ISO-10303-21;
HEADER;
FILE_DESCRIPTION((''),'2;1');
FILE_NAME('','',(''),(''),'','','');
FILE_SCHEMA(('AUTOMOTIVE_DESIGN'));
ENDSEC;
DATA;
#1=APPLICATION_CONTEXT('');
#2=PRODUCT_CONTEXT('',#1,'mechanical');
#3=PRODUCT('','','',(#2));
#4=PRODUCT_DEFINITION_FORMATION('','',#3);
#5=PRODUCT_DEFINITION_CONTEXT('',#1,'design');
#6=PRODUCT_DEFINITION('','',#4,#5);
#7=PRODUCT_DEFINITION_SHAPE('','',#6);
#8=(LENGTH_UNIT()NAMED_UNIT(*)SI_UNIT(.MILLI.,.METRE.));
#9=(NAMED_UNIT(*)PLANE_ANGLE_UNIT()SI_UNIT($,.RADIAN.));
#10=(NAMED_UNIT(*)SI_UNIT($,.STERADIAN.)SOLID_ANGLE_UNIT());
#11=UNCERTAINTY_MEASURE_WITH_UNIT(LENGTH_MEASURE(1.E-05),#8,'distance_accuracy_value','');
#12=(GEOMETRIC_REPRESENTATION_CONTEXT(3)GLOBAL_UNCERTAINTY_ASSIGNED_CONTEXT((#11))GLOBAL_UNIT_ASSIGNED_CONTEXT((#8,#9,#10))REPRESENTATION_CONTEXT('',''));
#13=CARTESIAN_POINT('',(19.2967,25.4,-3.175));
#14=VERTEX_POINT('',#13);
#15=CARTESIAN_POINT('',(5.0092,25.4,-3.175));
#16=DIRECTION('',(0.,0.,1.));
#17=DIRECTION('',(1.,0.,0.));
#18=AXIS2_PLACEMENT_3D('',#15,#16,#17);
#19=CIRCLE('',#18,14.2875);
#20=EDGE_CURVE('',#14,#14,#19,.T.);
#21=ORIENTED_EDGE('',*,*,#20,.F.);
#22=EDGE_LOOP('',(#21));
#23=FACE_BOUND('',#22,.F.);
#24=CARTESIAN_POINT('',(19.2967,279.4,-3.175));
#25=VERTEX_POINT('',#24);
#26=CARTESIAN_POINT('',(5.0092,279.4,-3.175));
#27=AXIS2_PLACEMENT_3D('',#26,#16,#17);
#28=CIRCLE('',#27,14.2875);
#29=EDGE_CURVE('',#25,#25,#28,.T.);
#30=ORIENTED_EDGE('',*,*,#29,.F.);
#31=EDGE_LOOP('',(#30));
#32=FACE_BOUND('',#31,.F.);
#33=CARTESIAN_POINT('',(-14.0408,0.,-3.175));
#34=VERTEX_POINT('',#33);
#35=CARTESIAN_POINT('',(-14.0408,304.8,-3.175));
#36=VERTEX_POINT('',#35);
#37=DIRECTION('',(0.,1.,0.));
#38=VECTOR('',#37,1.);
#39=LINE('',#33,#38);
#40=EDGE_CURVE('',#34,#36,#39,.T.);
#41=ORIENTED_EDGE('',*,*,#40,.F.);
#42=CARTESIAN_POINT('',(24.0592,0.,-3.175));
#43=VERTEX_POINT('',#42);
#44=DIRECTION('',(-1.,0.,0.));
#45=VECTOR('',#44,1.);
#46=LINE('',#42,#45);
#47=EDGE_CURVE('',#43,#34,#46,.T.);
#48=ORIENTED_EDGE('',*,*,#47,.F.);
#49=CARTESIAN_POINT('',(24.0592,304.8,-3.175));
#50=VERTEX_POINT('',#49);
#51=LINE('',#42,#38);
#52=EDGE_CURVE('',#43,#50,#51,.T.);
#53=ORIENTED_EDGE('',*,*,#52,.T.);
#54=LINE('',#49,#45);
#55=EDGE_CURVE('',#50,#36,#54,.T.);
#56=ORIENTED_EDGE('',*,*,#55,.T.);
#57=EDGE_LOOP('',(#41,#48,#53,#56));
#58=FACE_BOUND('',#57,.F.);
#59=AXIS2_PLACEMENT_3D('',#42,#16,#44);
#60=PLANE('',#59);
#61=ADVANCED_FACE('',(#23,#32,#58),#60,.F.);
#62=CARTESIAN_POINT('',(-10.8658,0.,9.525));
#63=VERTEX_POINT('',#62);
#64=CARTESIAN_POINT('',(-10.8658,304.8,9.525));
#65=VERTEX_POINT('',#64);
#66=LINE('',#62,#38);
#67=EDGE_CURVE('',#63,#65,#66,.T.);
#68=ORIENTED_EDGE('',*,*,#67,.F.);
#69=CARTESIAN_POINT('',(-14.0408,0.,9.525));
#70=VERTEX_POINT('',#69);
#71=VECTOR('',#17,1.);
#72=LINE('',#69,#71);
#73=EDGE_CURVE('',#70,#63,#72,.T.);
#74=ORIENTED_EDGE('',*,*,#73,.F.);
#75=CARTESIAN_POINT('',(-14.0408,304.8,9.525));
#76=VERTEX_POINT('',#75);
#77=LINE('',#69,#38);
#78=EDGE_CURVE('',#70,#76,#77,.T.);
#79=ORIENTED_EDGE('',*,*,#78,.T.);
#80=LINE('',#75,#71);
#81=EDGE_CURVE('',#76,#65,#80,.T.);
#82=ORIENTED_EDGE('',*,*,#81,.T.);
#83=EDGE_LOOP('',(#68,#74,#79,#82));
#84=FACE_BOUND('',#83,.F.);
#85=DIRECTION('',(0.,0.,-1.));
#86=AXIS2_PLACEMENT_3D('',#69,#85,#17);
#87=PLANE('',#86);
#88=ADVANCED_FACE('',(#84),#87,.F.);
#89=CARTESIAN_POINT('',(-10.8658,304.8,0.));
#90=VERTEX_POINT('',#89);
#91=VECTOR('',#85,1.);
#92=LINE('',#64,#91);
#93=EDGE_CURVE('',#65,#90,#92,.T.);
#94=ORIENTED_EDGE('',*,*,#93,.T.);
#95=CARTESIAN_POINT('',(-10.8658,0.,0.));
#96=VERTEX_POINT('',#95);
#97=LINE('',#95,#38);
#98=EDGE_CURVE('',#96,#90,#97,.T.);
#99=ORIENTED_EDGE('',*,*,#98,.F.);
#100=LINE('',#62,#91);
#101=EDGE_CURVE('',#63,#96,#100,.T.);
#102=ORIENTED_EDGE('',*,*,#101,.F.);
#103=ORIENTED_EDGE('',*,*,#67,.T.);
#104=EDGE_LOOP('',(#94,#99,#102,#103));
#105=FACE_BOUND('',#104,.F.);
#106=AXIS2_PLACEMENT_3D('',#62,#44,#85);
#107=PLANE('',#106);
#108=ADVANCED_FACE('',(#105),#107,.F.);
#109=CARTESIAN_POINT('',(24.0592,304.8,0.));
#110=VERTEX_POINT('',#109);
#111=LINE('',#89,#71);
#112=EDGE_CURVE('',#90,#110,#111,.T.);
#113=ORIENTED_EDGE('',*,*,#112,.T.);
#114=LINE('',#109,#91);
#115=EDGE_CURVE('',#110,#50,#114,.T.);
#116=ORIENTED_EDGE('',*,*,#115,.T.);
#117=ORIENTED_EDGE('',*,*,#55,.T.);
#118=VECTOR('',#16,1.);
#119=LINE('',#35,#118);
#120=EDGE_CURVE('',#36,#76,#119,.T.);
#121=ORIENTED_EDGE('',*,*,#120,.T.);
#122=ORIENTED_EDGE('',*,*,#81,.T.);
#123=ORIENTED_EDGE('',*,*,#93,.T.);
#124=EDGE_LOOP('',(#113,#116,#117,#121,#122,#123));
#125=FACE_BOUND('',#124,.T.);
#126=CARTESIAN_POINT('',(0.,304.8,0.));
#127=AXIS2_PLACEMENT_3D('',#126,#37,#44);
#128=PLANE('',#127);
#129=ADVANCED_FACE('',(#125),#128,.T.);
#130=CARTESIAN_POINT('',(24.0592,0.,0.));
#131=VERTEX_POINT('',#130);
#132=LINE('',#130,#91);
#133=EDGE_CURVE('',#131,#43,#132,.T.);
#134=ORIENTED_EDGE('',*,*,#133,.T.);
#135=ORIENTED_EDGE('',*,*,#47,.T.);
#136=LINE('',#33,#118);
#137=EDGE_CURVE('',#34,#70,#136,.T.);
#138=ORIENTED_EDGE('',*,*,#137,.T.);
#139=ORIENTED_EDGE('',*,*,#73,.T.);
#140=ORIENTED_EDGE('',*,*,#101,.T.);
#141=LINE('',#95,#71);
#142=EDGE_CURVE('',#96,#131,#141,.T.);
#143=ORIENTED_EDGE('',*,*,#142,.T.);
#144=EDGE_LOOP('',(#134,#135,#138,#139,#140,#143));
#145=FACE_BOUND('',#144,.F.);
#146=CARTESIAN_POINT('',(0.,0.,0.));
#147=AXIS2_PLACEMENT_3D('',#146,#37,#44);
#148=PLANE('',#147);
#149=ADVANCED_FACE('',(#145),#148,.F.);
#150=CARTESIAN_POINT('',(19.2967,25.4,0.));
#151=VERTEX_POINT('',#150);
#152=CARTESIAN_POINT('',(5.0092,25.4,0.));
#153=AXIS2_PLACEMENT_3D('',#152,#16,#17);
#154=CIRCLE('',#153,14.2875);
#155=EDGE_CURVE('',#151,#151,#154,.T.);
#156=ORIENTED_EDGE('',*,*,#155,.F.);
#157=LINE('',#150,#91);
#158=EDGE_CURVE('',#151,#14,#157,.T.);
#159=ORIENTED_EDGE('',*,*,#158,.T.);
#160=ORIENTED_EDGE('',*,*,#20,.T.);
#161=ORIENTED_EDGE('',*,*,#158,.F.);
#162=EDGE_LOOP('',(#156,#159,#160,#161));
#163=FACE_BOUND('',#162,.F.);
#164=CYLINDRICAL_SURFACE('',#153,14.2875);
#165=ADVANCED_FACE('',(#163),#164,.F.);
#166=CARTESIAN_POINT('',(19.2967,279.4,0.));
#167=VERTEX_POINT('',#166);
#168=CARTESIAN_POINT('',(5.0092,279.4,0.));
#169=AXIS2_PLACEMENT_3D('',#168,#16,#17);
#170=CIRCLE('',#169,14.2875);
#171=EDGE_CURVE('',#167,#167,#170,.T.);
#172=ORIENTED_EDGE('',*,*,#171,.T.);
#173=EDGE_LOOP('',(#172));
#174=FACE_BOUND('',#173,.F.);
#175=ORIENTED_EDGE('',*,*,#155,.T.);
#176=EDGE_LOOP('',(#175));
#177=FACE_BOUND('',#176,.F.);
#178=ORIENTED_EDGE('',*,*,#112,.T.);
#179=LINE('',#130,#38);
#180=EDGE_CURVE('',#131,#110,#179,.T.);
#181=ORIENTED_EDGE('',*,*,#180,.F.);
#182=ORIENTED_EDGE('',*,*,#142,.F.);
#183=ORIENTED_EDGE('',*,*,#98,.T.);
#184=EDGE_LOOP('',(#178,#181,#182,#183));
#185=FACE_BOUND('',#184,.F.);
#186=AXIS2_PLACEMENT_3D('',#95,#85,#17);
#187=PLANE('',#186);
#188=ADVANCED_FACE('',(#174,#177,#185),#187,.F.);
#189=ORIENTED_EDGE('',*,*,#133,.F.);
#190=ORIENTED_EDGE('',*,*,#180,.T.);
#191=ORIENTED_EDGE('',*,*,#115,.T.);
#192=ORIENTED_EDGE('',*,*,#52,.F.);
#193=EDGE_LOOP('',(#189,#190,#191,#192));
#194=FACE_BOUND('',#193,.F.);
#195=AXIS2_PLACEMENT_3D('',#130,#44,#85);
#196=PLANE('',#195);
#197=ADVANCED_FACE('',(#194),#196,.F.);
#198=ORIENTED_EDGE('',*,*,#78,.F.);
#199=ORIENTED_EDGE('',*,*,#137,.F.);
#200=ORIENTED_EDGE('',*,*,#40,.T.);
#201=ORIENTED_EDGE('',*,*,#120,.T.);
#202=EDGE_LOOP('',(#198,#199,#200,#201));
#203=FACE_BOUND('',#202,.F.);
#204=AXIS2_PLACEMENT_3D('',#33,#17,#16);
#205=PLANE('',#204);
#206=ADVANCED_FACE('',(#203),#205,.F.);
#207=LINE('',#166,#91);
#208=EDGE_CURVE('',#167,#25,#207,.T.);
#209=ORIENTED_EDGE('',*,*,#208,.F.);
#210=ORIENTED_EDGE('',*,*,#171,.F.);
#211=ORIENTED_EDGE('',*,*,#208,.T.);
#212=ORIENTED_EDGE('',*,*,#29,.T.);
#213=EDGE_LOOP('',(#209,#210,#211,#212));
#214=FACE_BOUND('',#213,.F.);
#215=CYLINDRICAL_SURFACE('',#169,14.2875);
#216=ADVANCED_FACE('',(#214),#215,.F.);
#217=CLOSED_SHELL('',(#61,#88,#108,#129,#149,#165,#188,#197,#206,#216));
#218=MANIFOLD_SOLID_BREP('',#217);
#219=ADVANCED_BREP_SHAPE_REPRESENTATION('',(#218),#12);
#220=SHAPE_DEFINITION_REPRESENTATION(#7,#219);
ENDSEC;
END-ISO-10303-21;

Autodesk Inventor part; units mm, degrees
ref_plane "YZ Plane" through (0, 0, 0) normal (1, 0, 0) x (0, 1, 0)
ref_plane "XZ Plane" through (0, 0, 0) normal (0, 1, 0) x (-1, 0, 0)
ref_plane "XY Plane" through (0, 0, 0) normal (0, 0, 1) x (1, 0, 0)
sketch "Sketch1" plane through (0, 0, 0) normal (0, 1, 0) x (-1, 0, 0)
  line L0 (14.0408, 9.525) -> (10.8658, 9.525)
  line L1 (-24.0592, 0) -> (-24.0592, -3.175)
  line L2 (-24.0592, -3.175) -> (14.0408, -3.175)
  line L3 (14.0408, -3.175) -> (14.0408, 9.525)
  line L4 (10.8658, 9.525) -> (10.8658, 0)
  line L5 (10.8658, 0) -> (-24.0592, 0)
  point P0 (0, 0)
  dimension "d0" = 38.1
  dimension "d1" = 12.7
  dimension "d2" = 3.175
  dimension "d3" = 3.175
extrude "Extrusion1" add sketch "Sketch1" along normal blind 304.8
sketch "Sketch2" plane through (-10.8658, 0, 0) normal (0, 0, 1) x (1, 0, 0)
  circle A0 centre (15.875, 25.4) radius 14.2875
  line L0 (34.925, 0) -> (34.925, 304.8) projected
  line L1 (0, 0) -> (34.925, 0) projected
  circle A1 centre (15.875, 279.4) radius 14.2875
  line L2 (0, 304.8) -> (34.925, 304.8) projected
  point P0 (10.8658, 0)
  dimension "d6" = 19.05
  dimension "d7" = 25.4
  dimension "d8" = 19.05
  dimension "d9" = 25.4
  dimension "d12" = 28.575
  dimension "d13" = 28.575
extrude "Extrusion2" cut sketch "Sketch2" against normal through all
equation "\"d10\" = d7"
properties part number "arm"
